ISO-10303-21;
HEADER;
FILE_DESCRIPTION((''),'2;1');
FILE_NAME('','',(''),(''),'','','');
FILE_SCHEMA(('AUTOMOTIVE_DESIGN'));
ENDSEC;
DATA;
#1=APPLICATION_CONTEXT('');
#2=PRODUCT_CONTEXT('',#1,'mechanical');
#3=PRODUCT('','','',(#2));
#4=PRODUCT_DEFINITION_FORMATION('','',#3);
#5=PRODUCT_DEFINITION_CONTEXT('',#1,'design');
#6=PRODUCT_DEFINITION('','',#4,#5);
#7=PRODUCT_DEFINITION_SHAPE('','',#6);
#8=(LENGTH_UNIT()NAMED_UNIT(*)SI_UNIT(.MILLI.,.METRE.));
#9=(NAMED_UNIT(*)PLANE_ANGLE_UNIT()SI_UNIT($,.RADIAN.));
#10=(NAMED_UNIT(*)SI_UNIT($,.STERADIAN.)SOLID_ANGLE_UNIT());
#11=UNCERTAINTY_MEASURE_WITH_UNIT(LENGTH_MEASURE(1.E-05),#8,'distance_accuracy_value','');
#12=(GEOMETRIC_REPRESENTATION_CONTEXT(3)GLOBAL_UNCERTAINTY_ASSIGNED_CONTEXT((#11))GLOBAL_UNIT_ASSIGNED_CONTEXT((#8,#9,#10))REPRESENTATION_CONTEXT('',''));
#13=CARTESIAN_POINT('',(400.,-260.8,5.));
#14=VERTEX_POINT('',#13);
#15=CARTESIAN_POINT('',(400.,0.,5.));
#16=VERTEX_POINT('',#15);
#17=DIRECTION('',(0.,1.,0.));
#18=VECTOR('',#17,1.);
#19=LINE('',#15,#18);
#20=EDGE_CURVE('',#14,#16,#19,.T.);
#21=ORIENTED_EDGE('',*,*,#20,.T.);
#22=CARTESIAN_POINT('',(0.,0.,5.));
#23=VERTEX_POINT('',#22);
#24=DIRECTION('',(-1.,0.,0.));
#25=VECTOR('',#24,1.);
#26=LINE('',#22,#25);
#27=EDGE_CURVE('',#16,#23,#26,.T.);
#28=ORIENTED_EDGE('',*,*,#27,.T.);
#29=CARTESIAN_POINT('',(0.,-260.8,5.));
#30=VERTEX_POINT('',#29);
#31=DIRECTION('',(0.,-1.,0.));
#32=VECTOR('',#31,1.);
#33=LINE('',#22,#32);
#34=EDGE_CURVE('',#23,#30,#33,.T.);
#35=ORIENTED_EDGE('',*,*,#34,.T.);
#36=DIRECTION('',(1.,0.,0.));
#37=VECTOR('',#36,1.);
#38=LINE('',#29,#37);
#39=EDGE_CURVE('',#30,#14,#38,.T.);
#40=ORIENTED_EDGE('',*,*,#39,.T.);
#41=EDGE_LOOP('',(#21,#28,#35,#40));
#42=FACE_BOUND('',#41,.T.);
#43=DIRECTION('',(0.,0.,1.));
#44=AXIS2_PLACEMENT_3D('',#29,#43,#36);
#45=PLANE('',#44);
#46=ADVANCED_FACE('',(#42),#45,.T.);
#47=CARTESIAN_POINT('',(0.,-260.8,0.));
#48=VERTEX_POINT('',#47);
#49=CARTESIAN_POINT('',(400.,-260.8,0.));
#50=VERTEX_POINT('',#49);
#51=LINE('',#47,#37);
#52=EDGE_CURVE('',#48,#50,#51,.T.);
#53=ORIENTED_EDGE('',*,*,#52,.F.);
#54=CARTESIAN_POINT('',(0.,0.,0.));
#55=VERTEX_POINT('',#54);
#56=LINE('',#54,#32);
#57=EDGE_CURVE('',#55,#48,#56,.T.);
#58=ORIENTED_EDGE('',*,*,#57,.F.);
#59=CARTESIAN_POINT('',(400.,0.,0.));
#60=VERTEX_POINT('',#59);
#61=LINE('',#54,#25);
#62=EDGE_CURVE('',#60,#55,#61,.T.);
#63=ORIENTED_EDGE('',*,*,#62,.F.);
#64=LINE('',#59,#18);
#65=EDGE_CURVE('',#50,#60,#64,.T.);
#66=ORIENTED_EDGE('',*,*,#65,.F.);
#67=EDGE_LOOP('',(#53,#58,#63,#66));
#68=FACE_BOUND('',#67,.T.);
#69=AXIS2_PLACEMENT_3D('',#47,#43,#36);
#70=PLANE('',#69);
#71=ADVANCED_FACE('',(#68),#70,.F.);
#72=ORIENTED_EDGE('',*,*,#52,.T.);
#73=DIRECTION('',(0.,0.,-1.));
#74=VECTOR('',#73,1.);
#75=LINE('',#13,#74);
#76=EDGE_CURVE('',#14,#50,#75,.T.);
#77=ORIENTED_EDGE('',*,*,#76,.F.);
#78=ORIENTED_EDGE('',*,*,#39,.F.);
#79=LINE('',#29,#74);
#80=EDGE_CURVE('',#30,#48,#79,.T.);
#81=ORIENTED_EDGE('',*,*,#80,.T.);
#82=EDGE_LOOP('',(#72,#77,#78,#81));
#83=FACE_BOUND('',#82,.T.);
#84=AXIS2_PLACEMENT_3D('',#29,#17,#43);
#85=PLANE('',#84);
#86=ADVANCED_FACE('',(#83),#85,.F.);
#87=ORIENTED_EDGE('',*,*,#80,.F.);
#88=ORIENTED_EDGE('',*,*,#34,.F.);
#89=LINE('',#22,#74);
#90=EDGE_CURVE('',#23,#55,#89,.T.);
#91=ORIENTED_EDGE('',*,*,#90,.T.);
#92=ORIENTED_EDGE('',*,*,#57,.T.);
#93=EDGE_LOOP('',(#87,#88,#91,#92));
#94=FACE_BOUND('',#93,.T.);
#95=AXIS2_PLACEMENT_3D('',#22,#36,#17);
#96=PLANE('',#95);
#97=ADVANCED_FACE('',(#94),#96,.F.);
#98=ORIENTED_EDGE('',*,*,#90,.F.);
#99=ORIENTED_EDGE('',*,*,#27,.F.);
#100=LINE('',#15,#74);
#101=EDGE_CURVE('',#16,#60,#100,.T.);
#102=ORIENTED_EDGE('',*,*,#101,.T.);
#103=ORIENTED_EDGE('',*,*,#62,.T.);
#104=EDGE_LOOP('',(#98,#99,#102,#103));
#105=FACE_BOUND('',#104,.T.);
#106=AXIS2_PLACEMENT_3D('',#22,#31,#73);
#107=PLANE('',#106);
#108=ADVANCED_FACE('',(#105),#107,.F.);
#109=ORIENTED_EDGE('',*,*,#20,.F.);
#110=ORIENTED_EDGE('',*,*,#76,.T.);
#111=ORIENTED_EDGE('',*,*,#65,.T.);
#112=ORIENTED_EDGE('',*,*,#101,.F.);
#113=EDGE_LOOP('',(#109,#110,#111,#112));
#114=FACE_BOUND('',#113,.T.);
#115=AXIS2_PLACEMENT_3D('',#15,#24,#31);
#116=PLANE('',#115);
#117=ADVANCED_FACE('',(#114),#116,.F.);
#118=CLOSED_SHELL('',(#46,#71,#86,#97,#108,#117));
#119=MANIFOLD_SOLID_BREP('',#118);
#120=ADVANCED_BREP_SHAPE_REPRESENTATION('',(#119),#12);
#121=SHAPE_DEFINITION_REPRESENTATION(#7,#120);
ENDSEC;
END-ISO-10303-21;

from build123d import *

# Parameters (mm, degrees)
SKETCH1_W           = 400
SKETCH1_H           = 260.8
BOSS_EXTRUDE1_DEPTH = 5


with BuildPart() as part:
    # Sketch1 → Boss-Extrude1 (new body)
    with BuildSketch(Plane.XY):
        with Locations((200, -130.4)):
            Rectangle(SKETCH1_W, SKETCH1_H)
    extrude(amount=BOSS_EXTRUDE1_DEPTH)


solid = part.part
